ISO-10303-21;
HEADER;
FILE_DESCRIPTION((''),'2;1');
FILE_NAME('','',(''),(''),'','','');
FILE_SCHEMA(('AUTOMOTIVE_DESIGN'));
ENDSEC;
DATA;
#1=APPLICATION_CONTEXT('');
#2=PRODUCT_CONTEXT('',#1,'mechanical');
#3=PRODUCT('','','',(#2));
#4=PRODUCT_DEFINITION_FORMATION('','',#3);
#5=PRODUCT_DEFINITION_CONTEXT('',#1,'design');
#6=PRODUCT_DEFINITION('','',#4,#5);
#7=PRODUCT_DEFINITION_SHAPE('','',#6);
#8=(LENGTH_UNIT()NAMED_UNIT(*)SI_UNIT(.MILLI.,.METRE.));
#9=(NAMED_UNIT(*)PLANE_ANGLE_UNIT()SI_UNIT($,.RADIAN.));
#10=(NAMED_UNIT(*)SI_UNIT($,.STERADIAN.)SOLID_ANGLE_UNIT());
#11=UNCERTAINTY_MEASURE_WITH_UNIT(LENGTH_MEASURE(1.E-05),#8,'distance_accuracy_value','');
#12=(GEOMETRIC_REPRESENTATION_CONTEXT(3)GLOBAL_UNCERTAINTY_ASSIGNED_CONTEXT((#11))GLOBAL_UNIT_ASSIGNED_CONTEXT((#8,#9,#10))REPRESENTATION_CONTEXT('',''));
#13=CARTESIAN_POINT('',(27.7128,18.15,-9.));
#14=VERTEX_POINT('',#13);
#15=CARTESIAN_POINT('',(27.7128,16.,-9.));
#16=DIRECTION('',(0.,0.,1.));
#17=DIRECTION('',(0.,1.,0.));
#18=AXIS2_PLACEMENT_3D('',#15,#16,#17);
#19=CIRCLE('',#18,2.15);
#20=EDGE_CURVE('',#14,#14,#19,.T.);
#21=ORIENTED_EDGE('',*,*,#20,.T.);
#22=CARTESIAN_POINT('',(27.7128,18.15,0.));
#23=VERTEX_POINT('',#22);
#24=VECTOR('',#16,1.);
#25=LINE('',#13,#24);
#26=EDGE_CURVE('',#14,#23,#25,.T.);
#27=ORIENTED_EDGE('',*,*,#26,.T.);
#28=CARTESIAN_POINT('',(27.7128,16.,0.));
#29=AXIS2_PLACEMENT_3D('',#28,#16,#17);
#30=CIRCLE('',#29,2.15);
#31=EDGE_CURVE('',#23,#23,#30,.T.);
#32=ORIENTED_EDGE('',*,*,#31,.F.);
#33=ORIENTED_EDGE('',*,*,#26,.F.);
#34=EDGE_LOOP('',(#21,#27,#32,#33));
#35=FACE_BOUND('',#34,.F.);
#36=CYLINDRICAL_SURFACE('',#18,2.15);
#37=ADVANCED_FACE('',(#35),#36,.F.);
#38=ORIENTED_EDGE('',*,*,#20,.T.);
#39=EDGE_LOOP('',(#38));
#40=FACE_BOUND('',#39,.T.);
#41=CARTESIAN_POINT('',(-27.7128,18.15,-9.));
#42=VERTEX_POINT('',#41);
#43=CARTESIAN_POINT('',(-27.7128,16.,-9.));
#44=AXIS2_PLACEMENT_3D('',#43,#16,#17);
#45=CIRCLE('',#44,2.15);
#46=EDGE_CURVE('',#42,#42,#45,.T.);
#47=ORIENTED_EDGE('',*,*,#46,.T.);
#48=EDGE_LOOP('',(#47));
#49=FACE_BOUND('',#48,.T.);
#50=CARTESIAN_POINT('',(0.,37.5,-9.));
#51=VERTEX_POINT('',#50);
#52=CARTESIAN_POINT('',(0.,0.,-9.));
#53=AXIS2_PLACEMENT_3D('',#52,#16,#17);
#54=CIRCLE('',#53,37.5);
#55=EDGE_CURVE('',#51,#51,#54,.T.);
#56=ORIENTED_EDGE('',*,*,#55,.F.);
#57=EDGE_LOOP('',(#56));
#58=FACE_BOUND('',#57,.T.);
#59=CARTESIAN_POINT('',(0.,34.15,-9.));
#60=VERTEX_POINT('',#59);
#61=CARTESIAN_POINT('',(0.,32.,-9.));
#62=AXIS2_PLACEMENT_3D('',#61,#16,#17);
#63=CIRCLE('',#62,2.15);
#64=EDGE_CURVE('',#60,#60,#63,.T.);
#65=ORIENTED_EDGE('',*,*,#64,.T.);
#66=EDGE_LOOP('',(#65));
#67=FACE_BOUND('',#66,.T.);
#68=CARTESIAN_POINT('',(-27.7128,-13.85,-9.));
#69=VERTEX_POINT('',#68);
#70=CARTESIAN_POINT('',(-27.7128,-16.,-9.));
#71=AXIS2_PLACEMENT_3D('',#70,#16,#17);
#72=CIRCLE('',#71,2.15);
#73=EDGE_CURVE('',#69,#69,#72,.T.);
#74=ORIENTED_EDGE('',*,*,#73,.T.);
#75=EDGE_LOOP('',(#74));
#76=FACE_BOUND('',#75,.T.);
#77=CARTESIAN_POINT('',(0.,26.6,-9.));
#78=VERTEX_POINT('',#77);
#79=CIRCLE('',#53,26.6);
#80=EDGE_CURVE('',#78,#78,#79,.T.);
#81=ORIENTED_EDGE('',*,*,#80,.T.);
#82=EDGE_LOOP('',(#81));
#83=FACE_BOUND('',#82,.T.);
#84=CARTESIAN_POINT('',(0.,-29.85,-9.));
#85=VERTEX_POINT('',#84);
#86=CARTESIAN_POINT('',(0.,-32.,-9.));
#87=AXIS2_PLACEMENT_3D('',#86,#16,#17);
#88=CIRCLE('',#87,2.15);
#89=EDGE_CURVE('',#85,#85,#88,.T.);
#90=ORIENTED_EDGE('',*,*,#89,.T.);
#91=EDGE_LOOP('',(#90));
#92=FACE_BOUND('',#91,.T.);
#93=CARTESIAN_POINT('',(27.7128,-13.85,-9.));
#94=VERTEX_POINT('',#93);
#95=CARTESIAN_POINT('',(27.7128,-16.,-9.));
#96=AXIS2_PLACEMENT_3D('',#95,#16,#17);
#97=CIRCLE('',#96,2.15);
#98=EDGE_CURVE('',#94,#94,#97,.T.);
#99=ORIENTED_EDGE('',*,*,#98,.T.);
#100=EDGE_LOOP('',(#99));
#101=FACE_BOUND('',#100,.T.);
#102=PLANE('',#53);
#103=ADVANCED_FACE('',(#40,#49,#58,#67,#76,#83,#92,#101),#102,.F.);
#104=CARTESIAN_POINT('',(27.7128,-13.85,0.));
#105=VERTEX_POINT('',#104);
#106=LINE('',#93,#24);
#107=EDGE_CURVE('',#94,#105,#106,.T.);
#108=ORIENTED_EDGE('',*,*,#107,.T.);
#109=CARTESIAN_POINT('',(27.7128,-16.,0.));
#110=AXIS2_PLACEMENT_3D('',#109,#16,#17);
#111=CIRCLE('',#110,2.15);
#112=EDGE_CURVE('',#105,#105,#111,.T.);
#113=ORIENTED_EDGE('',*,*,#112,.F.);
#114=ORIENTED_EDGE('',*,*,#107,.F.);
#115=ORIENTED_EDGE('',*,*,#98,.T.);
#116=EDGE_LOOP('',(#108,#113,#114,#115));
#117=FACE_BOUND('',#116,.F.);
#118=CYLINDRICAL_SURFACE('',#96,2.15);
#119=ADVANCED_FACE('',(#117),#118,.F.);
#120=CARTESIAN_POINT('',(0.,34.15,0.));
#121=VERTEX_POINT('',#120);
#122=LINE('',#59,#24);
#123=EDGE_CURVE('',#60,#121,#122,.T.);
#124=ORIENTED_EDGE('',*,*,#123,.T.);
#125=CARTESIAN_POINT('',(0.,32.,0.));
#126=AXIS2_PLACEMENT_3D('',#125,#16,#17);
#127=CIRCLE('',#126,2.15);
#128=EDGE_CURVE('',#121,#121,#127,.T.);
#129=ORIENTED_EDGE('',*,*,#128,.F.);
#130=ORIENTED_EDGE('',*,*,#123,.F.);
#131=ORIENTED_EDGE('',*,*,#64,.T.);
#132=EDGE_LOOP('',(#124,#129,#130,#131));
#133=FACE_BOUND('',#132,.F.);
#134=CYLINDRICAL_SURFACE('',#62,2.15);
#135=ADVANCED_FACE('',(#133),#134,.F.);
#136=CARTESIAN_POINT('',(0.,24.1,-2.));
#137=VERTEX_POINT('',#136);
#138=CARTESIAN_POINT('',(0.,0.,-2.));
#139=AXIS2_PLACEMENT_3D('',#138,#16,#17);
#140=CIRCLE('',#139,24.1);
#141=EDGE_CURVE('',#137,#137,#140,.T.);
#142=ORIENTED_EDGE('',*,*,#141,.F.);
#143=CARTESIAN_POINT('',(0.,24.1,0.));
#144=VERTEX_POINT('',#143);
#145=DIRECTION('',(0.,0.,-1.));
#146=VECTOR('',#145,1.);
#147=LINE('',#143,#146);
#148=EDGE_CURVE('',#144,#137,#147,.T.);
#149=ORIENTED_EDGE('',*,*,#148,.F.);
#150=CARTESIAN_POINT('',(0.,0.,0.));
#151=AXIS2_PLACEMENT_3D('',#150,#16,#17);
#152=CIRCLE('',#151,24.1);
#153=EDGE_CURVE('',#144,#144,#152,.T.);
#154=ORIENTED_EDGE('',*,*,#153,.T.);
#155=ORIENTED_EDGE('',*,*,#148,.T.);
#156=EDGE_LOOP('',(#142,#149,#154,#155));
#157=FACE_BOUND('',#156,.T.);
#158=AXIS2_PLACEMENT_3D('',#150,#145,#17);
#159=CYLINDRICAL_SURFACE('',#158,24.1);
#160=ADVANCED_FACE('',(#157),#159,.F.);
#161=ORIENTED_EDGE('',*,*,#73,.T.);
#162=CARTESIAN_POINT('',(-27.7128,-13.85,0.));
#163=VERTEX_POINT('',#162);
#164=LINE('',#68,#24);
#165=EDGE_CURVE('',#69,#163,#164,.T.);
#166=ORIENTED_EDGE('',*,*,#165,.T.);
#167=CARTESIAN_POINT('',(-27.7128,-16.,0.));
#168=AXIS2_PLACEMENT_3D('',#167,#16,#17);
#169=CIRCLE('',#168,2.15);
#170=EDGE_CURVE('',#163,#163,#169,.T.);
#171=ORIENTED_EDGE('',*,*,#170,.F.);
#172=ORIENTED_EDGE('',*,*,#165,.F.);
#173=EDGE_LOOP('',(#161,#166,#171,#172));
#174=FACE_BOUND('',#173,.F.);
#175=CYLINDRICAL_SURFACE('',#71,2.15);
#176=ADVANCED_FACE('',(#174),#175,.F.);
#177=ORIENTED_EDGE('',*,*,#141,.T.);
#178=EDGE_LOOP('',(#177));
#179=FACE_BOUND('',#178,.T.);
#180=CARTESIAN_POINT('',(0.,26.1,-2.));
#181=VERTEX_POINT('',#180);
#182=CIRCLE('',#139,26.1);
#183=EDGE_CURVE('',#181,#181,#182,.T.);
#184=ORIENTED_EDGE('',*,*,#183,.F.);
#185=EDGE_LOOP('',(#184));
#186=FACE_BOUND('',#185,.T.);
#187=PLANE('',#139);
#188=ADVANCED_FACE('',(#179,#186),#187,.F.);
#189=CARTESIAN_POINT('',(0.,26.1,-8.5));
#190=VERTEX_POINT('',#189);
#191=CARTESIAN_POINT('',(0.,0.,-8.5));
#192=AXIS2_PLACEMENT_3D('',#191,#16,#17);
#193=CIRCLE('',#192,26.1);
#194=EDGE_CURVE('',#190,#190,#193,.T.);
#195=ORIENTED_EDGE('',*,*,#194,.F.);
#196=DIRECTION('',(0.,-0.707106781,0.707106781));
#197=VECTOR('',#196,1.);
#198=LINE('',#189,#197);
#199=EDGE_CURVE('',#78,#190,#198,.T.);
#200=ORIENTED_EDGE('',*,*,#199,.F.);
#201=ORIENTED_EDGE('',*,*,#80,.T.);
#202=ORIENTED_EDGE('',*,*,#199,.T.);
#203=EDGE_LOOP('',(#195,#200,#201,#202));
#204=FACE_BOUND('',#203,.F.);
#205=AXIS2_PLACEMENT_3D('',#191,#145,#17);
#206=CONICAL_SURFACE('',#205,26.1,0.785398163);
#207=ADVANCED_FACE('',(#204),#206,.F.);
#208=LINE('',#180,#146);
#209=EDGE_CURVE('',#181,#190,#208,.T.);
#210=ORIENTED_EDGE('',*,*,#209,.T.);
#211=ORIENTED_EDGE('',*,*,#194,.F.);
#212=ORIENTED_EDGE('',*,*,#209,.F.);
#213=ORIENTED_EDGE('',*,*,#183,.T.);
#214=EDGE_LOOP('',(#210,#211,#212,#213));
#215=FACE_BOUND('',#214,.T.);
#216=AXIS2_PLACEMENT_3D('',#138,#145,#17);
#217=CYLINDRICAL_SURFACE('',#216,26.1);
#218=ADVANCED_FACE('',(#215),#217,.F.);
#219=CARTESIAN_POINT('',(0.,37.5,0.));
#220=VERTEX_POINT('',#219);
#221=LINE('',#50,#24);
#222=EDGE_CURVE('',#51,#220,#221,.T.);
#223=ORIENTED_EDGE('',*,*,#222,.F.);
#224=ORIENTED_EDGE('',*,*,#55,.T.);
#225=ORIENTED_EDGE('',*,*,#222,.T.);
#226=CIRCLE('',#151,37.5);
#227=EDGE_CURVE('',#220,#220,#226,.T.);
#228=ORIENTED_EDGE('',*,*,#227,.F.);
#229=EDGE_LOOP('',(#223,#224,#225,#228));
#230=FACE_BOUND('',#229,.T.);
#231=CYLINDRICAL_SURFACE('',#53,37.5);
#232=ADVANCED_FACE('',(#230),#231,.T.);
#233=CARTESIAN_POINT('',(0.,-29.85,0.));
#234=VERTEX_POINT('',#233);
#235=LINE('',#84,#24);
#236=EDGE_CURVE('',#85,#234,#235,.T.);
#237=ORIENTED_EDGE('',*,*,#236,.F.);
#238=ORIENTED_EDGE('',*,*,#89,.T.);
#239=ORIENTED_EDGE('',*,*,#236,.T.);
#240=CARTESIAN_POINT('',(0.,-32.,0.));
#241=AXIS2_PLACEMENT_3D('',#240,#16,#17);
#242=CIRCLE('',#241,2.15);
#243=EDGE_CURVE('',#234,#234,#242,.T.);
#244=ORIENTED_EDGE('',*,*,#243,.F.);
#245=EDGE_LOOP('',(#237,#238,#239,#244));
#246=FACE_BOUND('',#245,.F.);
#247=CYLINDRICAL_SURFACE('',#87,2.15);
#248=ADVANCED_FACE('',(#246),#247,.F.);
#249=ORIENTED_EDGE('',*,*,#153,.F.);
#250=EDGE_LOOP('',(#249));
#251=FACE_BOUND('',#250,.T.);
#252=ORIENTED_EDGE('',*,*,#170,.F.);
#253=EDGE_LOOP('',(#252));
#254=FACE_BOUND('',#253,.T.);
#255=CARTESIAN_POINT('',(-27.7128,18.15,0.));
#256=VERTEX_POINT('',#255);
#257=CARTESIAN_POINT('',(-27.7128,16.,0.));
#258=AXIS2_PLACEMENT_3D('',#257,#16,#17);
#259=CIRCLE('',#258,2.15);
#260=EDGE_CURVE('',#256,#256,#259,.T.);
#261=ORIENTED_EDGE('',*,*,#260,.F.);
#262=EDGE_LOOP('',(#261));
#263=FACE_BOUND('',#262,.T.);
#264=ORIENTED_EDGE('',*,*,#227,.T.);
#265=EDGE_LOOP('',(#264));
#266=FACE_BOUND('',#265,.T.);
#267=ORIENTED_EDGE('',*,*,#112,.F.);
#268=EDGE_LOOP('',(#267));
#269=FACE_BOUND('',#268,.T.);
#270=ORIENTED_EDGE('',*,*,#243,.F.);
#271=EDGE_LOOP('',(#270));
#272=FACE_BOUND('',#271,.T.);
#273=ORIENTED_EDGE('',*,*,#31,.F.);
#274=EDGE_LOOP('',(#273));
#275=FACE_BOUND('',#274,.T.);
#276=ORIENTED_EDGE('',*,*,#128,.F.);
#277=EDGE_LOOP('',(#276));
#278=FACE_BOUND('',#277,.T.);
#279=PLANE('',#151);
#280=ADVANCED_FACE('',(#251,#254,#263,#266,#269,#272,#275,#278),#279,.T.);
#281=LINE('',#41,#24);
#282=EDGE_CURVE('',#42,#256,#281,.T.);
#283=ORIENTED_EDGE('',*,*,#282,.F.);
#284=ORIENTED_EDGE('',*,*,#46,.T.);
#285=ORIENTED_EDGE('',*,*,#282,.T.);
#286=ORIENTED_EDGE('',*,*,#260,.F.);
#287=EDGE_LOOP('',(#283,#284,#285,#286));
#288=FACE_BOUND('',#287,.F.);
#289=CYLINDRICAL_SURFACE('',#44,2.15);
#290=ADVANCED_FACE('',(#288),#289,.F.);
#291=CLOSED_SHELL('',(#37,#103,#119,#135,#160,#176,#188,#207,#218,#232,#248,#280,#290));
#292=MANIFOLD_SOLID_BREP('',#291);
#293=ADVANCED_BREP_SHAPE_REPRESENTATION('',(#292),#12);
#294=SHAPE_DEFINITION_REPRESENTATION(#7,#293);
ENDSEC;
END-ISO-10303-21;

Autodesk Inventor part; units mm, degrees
ref_plane "YZ Plane" through (0, 0, 0) normal (1, 0, 0) x (0, 1, 0)
ref_plane "XZ Plane" through (0, 0, 0) normal (0, 1, 0) x (-1, 0, 0)
ref_plane "XY Plane" through (0, 0, 0) normal (0, 0, 1) x (1, 0, 0)
sketch "スケッチ1" plane through (0, 0, 0) normal (1, 0, 0) x (0, 1, 0)
  line L0 (24.1, 0) -> (24.1, -2)
  line L1 (24.1, -2) -> (26.1, -2)
  line L2 (26.1, -2) -> (26.1, -9)
  line L3 (26.1, -9) -> (37.5, -9)
  line L4 (37.5, -9) -> (37.5, 0)
  line L5 (37.5, 0) -> (24.1, 0)
  line L6 (0, -10.8) -> (0, 1.8) projected
  point P0 (0, 0)
  dimension "d0" = 26.1
  dimension "d1" = 37.5
  dimension "d2" = 7
  dimension "d3" = 2
  dimension "d4" = 2
revolve "回転1" add sketch "スケッチ1" angle 360 about axis through (0, 0, -10) along (0, 0, 1)
sketch "スケッチ2" plane through (0, 0, -9) normal (0, 0, -1) x (-1, 0, 0)
  circle A0 centre (0, 0) radius 32
  point P0 (0, 32)
  point P1 (-27.7128, 16)
  point P2 (-27.7128, -16)
  point P3 (0, -32)
  point P4 (27.7128, -16)
  point P5 (27.7128, 16)
  dimension "d6" = 64
  dimension "d9" = 360
hole "穴1" at (0, 32, -9) at (27.7128, 16, -9) at (27.7128, -16, -9) at (0, -32, -9) at (-27.7128, -16, -9) at (-27.7128, 16, -9) direction (0, 0, 1) diameter 4.3 end through all clearance for "Socket Head Cap Screw" size "M4" standard "Ansi Metric M Profile"
chamfer "面取り1" distance 0.5 angle 45 1 edges at (0, -26.1, -9)
sketch "スケッチ3" plane through (0, 0, -9) normal (0, 0, -1) x (-1, 0, 0)
  circle A0 centre (-37.5, 0) radius 4.8
  circle A1 centre (0, 0) radius 37.5 projected
  point P0 (-37.1928, 4.7902)
  point P1 (-37.1928, -4.7902)
  dimension "d18" = 9.6
properties part number "unit-base1" material "ABS プラスチック"
